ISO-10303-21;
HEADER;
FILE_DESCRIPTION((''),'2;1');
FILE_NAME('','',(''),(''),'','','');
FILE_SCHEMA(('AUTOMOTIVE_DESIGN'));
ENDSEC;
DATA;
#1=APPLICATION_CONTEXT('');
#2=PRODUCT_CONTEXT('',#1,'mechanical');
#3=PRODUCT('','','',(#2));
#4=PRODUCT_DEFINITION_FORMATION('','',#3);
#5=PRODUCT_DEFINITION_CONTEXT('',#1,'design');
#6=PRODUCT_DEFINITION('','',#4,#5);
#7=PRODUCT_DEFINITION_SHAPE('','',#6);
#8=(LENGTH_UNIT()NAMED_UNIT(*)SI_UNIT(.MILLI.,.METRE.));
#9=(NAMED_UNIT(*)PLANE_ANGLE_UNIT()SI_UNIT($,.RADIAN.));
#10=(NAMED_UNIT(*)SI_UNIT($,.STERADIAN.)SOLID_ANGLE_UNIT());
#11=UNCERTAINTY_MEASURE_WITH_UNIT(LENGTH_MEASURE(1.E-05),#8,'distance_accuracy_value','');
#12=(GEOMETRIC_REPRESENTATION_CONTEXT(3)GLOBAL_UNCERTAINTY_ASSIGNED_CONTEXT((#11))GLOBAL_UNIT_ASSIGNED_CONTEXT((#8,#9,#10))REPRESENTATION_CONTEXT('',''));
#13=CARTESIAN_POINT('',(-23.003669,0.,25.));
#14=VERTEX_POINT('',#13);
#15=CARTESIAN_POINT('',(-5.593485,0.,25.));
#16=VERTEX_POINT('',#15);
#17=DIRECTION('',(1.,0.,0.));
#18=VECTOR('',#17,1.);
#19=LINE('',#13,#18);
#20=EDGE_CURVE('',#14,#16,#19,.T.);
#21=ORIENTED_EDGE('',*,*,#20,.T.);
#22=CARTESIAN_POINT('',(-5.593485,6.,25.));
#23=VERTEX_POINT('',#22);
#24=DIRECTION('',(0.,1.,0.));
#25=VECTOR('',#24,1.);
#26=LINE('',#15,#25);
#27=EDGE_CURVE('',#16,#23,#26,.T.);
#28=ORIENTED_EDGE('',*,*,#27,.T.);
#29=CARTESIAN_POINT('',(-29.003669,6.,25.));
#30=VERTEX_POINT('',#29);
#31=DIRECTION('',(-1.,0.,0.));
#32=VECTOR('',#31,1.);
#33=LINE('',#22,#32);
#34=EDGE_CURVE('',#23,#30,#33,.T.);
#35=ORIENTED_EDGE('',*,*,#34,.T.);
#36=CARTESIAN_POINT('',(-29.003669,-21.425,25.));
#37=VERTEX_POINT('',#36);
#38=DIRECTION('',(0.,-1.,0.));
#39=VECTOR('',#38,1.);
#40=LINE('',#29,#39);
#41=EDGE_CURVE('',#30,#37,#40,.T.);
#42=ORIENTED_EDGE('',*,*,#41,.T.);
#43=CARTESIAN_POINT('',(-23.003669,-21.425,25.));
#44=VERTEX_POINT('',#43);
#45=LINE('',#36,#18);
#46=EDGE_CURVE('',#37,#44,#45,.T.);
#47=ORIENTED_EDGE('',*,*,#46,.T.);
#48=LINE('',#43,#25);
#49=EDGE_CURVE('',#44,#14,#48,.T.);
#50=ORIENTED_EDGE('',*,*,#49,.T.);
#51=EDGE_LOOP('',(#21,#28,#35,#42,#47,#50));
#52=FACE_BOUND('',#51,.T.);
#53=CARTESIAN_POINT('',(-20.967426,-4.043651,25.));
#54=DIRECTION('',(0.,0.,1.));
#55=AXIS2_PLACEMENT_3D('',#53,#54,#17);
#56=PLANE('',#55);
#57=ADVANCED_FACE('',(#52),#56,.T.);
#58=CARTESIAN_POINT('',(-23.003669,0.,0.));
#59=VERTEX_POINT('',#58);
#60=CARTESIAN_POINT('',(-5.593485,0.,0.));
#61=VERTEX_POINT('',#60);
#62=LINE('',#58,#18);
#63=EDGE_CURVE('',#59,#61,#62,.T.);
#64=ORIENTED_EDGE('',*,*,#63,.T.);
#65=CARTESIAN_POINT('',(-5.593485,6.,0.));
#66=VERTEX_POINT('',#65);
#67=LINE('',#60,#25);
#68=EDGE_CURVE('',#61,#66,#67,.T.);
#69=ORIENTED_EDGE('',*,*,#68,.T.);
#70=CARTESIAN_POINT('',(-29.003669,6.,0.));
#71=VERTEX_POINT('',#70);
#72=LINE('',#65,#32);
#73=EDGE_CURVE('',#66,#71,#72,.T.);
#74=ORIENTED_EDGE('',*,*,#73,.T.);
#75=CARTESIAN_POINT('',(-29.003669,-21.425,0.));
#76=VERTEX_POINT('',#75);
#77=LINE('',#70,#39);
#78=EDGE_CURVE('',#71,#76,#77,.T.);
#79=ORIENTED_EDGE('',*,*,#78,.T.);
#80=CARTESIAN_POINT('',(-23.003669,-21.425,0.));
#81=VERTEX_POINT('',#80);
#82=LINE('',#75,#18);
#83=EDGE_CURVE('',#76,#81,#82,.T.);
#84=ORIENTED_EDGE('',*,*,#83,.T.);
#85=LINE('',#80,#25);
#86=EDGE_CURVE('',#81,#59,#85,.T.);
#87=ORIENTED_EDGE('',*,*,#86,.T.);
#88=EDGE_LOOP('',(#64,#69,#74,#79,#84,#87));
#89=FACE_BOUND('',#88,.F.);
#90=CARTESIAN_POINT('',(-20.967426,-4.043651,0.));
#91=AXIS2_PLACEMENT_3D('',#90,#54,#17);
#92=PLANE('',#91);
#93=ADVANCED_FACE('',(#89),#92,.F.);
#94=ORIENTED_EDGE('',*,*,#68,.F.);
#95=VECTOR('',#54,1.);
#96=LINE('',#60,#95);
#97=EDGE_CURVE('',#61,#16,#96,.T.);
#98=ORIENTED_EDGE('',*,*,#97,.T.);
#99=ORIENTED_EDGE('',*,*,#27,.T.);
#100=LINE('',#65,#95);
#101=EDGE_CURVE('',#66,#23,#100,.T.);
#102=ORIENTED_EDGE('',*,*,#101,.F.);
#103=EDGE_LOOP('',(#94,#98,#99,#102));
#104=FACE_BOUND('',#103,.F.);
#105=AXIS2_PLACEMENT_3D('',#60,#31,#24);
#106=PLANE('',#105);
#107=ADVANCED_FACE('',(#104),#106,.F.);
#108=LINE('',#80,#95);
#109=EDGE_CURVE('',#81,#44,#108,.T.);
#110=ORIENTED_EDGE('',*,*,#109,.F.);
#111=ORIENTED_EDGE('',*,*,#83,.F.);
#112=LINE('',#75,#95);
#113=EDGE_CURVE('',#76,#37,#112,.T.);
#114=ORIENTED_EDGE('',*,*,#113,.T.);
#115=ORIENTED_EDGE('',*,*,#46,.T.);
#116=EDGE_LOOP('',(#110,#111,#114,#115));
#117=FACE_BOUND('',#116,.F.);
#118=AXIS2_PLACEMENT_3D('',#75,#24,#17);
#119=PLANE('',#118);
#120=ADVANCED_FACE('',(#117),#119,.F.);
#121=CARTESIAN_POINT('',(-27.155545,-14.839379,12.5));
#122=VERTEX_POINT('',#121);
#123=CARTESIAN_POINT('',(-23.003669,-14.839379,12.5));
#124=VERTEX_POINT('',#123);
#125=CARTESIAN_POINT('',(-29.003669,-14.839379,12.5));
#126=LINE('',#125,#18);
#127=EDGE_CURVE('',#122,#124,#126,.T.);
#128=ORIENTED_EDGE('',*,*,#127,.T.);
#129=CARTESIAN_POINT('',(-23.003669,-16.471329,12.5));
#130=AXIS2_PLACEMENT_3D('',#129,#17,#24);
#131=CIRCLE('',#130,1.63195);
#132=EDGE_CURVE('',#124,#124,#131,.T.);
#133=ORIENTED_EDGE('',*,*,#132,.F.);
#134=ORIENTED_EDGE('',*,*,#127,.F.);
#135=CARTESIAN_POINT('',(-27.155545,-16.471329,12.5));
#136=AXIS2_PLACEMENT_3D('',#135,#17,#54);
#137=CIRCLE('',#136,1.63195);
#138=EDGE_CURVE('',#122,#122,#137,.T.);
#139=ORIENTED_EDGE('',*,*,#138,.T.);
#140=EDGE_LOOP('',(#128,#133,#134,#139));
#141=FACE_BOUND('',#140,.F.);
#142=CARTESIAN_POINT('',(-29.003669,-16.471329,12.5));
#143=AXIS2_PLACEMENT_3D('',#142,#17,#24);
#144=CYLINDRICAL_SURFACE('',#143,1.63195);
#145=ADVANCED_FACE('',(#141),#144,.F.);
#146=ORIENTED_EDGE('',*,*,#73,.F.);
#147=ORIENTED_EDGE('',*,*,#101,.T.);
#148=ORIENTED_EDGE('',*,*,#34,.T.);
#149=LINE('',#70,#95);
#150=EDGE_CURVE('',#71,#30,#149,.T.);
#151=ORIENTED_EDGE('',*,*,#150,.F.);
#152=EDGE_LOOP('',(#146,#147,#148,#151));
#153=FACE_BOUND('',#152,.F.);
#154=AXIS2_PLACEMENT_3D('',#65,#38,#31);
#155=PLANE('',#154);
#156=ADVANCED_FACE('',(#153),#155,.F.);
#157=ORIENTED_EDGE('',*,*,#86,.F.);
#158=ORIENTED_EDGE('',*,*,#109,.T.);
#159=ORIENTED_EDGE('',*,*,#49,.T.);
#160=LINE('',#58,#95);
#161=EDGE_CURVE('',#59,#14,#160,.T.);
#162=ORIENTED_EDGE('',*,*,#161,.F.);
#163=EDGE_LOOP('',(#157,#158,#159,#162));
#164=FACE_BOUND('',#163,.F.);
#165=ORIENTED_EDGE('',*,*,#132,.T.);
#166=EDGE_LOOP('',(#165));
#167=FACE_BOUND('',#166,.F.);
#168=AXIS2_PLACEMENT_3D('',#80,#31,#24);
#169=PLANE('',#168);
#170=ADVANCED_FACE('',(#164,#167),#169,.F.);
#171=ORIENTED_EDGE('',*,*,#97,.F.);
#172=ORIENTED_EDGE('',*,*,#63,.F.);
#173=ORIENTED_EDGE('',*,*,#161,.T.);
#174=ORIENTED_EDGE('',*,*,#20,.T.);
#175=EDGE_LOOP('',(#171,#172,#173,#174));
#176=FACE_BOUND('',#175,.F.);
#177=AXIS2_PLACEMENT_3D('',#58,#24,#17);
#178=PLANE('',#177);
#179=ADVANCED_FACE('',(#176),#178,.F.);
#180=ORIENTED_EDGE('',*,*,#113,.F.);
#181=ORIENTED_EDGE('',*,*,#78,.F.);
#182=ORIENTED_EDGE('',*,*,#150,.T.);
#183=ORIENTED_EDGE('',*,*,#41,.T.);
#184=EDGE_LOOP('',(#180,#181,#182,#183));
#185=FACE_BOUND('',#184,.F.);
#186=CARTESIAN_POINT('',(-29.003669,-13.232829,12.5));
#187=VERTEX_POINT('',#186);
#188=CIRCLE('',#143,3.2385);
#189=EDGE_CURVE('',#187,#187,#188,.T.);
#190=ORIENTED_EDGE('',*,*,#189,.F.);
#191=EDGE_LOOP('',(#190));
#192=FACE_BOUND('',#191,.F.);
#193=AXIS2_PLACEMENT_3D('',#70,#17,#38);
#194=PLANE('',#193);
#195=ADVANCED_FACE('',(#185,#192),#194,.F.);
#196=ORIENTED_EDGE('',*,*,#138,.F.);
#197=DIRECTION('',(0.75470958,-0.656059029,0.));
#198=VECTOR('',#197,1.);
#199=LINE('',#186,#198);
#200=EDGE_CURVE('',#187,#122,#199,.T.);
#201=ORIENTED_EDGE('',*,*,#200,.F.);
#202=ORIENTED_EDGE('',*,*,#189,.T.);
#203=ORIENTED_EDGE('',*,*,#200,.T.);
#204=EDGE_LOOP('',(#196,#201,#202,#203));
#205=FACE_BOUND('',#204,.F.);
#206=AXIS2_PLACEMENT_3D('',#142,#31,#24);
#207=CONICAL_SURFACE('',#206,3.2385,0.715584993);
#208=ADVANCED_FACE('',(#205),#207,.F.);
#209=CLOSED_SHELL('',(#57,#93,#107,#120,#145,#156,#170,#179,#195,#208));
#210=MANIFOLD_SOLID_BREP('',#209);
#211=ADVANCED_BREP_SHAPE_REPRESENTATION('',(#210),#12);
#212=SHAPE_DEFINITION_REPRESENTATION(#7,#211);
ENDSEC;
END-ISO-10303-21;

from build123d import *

# Parameters (mm, degrees)
F1_DEPTH       = 25
F3_D           = 3.2639
F3_CSINK_D     = 6.477
F3_CSINK_ANGLE = 82


with BuildPart() as f1:
    # F0 (on Top) → F1 (new body)
    with BuildSketch(Plane.XY):
        Polygon((-29.003669071, 6), (-29.003669071, -21.425), (-23.003669071, -21.425), (-23.003669071, 0), (-5.5934852733, 0), (-5.5934852733, 6), align=None)
    extrude(amount=F1_DEPTH)

    # F3 (through all)
    with Locations(Plane(origin=(-29.003669071, 0, 0), x_dir=(0, -1, 0), z_dir=(-1, 0, 0))):
        with Locations((16.4713294148, 12.5)):
            CounterSinkHole(F3_D / 2, F3_CSINK_D / 2, counter_sink_angle=F3_CSINK_ANGLE)


solid = f1.part
